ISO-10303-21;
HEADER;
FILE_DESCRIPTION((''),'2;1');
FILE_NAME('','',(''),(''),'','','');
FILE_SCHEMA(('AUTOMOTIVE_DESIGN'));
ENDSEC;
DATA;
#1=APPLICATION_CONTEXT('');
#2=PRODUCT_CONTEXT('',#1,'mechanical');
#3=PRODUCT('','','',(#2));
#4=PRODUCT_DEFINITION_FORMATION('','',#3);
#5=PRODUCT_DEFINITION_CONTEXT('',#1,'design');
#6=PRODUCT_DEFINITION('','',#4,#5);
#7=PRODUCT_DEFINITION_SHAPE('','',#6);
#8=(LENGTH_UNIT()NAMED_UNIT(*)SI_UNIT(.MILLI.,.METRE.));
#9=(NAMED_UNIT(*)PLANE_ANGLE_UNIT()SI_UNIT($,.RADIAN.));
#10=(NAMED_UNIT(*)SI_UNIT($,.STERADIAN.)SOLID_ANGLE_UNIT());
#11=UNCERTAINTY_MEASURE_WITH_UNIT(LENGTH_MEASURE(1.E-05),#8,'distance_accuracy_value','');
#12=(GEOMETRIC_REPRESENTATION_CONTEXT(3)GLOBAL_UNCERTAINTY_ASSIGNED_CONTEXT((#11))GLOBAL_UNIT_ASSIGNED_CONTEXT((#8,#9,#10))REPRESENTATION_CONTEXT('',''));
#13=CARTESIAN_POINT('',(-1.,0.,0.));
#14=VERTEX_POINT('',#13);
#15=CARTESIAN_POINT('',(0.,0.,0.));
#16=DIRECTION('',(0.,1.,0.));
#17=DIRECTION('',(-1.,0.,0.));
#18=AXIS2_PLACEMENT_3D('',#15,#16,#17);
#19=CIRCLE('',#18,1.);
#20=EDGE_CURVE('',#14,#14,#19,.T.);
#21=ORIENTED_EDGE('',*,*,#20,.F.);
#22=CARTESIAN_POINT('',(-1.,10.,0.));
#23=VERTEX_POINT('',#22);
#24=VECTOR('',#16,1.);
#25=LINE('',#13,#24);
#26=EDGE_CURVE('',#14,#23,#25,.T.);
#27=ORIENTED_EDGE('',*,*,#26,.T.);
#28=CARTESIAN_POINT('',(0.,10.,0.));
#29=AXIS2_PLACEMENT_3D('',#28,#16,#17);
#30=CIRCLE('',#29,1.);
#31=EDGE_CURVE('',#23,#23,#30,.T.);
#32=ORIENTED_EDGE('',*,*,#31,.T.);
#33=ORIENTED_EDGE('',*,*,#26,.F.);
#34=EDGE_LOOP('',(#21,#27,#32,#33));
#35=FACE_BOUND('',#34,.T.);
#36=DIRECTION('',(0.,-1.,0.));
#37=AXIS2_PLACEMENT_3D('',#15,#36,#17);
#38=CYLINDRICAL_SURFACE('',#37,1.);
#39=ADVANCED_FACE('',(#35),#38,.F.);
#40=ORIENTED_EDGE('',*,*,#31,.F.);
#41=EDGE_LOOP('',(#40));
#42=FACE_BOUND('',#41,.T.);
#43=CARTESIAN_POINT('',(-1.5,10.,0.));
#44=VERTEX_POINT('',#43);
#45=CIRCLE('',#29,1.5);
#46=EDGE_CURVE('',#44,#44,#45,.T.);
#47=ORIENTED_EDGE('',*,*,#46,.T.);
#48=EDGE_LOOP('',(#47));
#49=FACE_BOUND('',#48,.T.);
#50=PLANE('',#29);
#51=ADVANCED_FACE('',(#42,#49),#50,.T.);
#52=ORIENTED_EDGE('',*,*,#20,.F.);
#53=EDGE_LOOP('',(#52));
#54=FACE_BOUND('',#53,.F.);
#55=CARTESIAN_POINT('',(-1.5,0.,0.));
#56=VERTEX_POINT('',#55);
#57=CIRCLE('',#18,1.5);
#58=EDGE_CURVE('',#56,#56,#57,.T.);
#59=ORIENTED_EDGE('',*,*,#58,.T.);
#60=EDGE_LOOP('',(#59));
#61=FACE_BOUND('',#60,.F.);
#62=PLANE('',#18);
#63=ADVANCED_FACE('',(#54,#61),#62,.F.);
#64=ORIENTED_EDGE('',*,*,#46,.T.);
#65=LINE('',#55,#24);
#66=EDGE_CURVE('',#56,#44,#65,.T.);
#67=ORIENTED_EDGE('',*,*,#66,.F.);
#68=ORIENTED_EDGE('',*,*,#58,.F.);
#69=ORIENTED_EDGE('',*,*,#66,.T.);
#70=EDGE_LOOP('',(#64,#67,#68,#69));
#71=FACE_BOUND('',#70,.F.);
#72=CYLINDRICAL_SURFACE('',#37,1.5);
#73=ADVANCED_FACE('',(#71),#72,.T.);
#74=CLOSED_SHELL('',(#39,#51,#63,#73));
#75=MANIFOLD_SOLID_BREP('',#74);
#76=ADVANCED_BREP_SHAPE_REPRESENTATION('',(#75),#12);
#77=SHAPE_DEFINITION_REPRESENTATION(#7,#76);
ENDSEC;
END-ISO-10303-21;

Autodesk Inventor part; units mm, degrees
ref_plane "YZ Plane" through (0, 0, 0) normal (1, 0, 0) x (0, 1, 0)
ref_plane "XZ Plane" through (0, 0, 0) normal (0, 1, 0) x (-1, 0, 0)
ref_plane "XY Plane" through (0, 0, 0) normal (0, 0, 1) x (1, 0, 0)
sketch "Sketch1" plane through (0, 0, 0) normal (0, 1, 0) x (-1, 0, 0)
  circle A0 centre (0, 0) radius 1.5
  circle A1 centre (0, 0) radius 1
  dimension "d0" = 3
  dimension "d1" = 2
extrude "Extrusion1" add sketch "Sketch1" along normal blind 10
properties part number "brassPin" material "Brass, Soft Yellow"
